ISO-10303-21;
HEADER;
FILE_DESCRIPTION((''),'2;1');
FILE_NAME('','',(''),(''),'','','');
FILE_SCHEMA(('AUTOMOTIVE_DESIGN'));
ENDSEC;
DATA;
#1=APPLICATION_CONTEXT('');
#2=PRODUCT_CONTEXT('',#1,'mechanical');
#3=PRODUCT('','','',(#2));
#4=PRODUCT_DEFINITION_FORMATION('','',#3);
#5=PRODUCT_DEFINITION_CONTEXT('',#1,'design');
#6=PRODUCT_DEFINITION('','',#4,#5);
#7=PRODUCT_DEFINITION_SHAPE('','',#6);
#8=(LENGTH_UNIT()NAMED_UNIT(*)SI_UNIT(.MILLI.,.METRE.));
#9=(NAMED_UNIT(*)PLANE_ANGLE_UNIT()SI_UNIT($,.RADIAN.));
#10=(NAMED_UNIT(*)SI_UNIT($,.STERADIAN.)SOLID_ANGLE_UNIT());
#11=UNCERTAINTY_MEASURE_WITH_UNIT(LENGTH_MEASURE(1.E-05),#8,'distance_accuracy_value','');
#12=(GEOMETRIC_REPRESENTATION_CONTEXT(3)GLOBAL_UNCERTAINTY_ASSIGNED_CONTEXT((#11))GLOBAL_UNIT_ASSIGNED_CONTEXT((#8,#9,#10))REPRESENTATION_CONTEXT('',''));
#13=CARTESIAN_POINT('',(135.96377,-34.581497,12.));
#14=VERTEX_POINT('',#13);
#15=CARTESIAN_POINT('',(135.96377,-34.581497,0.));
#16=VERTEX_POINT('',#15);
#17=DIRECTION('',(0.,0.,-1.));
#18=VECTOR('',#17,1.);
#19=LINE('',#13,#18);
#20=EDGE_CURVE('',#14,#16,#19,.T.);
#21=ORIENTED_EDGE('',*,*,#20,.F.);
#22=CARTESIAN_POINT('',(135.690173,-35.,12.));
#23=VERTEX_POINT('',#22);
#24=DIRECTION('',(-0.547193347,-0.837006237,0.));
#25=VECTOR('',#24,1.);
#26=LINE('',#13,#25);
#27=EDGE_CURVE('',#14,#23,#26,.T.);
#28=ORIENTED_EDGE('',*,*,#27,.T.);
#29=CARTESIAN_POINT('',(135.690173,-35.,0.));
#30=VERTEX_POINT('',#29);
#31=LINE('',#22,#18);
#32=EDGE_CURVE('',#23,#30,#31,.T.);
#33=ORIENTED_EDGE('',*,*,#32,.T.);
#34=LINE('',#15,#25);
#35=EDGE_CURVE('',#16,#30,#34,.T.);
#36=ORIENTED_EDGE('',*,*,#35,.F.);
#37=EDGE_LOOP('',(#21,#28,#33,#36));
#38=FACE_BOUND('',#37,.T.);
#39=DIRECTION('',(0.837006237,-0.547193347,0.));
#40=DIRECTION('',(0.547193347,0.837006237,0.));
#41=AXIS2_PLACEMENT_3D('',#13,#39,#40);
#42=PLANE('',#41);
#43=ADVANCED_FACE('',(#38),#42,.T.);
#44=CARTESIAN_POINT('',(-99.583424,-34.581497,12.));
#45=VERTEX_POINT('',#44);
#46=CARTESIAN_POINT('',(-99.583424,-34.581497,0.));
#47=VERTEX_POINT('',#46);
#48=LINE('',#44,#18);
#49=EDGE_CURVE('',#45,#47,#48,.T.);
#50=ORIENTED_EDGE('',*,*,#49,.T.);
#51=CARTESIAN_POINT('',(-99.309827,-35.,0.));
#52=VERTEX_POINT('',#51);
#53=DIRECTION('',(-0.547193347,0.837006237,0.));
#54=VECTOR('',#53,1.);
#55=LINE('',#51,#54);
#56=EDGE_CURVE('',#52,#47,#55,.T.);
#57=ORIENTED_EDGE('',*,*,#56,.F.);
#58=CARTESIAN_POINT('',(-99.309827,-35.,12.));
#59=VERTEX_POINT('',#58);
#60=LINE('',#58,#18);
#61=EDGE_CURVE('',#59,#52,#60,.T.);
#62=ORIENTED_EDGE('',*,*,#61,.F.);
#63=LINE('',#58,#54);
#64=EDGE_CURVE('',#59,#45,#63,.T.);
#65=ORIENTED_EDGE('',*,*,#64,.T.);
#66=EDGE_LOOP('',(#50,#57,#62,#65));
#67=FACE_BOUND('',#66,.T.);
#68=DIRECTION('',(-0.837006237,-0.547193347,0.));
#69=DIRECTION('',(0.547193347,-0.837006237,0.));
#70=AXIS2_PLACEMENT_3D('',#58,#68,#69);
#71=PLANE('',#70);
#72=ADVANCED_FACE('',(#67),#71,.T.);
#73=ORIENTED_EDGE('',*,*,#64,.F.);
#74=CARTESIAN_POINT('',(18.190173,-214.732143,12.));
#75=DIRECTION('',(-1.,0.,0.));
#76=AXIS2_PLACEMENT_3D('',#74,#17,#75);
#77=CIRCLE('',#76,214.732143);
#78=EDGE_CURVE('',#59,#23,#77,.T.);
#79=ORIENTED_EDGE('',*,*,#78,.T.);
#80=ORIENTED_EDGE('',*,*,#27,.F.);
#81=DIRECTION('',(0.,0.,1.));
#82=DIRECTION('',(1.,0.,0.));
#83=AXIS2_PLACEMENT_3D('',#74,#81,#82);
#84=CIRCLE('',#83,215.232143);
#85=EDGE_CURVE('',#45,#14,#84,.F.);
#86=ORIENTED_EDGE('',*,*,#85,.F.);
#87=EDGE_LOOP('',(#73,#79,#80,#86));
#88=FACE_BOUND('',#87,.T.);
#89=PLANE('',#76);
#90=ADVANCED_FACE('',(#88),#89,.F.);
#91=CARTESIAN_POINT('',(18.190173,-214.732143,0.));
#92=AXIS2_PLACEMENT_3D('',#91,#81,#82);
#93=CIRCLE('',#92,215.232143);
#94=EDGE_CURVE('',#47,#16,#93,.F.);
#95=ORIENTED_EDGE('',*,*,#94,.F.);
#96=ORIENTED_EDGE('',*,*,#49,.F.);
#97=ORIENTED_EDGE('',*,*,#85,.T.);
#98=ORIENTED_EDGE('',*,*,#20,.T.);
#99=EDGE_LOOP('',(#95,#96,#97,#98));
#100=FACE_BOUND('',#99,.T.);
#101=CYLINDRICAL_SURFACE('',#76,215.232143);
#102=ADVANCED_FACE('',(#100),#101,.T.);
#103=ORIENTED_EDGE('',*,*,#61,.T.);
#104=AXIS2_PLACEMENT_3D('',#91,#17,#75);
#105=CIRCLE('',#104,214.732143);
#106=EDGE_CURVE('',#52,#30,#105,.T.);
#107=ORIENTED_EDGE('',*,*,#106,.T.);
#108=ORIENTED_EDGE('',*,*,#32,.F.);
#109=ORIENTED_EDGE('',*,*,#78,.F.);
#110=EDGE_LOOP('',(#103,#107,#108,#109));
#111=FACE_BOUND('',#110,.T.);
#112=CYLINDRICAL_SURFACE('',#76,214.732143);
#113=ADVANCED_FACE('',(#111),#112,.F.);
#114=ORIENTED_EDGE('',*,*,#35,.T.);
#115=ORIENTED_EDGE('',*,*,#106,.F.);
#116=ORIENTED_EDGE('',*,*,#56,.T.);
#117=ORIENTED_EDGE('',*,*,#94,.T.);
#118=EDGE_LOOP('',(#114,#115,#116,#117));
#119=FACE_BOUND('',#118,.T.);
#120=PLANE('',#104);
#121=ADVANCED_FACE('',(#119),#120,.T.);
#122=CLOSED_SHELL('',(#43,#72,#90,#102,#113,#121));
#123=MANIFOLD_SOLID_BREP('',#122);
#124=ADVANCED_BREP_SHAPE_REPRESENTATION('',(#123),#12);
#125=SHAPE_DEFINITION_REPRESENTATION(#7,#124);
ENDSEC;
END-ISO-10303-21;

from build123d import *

# Parameters (mm, degrees)
EXTRUDE_1_DEPTH = 12


with BuildPart() as part:
    # Эскиз1 → Вытянуть-Тонкостенный1 (new body)
    with BuildSketch(Plane.XY):
        with BuildLine():
            ThreePointArc((-99.309826828, -35), (18.190173172, 0), (135.690173172, -35))
            Line((135.690173172, -35), (135.963769846, -34.581496881))
            ThreePointArc((135.963769846, -34.581496881), (18.190173172, 0.5), (-99.583423502, -34.581496881))
            Line((-99.583423502, -34.581496881), (-99.309826828, -35))
        make_face()
    extrude(amount=EXTRUDE_1_DEPTH)


solid = part.part
